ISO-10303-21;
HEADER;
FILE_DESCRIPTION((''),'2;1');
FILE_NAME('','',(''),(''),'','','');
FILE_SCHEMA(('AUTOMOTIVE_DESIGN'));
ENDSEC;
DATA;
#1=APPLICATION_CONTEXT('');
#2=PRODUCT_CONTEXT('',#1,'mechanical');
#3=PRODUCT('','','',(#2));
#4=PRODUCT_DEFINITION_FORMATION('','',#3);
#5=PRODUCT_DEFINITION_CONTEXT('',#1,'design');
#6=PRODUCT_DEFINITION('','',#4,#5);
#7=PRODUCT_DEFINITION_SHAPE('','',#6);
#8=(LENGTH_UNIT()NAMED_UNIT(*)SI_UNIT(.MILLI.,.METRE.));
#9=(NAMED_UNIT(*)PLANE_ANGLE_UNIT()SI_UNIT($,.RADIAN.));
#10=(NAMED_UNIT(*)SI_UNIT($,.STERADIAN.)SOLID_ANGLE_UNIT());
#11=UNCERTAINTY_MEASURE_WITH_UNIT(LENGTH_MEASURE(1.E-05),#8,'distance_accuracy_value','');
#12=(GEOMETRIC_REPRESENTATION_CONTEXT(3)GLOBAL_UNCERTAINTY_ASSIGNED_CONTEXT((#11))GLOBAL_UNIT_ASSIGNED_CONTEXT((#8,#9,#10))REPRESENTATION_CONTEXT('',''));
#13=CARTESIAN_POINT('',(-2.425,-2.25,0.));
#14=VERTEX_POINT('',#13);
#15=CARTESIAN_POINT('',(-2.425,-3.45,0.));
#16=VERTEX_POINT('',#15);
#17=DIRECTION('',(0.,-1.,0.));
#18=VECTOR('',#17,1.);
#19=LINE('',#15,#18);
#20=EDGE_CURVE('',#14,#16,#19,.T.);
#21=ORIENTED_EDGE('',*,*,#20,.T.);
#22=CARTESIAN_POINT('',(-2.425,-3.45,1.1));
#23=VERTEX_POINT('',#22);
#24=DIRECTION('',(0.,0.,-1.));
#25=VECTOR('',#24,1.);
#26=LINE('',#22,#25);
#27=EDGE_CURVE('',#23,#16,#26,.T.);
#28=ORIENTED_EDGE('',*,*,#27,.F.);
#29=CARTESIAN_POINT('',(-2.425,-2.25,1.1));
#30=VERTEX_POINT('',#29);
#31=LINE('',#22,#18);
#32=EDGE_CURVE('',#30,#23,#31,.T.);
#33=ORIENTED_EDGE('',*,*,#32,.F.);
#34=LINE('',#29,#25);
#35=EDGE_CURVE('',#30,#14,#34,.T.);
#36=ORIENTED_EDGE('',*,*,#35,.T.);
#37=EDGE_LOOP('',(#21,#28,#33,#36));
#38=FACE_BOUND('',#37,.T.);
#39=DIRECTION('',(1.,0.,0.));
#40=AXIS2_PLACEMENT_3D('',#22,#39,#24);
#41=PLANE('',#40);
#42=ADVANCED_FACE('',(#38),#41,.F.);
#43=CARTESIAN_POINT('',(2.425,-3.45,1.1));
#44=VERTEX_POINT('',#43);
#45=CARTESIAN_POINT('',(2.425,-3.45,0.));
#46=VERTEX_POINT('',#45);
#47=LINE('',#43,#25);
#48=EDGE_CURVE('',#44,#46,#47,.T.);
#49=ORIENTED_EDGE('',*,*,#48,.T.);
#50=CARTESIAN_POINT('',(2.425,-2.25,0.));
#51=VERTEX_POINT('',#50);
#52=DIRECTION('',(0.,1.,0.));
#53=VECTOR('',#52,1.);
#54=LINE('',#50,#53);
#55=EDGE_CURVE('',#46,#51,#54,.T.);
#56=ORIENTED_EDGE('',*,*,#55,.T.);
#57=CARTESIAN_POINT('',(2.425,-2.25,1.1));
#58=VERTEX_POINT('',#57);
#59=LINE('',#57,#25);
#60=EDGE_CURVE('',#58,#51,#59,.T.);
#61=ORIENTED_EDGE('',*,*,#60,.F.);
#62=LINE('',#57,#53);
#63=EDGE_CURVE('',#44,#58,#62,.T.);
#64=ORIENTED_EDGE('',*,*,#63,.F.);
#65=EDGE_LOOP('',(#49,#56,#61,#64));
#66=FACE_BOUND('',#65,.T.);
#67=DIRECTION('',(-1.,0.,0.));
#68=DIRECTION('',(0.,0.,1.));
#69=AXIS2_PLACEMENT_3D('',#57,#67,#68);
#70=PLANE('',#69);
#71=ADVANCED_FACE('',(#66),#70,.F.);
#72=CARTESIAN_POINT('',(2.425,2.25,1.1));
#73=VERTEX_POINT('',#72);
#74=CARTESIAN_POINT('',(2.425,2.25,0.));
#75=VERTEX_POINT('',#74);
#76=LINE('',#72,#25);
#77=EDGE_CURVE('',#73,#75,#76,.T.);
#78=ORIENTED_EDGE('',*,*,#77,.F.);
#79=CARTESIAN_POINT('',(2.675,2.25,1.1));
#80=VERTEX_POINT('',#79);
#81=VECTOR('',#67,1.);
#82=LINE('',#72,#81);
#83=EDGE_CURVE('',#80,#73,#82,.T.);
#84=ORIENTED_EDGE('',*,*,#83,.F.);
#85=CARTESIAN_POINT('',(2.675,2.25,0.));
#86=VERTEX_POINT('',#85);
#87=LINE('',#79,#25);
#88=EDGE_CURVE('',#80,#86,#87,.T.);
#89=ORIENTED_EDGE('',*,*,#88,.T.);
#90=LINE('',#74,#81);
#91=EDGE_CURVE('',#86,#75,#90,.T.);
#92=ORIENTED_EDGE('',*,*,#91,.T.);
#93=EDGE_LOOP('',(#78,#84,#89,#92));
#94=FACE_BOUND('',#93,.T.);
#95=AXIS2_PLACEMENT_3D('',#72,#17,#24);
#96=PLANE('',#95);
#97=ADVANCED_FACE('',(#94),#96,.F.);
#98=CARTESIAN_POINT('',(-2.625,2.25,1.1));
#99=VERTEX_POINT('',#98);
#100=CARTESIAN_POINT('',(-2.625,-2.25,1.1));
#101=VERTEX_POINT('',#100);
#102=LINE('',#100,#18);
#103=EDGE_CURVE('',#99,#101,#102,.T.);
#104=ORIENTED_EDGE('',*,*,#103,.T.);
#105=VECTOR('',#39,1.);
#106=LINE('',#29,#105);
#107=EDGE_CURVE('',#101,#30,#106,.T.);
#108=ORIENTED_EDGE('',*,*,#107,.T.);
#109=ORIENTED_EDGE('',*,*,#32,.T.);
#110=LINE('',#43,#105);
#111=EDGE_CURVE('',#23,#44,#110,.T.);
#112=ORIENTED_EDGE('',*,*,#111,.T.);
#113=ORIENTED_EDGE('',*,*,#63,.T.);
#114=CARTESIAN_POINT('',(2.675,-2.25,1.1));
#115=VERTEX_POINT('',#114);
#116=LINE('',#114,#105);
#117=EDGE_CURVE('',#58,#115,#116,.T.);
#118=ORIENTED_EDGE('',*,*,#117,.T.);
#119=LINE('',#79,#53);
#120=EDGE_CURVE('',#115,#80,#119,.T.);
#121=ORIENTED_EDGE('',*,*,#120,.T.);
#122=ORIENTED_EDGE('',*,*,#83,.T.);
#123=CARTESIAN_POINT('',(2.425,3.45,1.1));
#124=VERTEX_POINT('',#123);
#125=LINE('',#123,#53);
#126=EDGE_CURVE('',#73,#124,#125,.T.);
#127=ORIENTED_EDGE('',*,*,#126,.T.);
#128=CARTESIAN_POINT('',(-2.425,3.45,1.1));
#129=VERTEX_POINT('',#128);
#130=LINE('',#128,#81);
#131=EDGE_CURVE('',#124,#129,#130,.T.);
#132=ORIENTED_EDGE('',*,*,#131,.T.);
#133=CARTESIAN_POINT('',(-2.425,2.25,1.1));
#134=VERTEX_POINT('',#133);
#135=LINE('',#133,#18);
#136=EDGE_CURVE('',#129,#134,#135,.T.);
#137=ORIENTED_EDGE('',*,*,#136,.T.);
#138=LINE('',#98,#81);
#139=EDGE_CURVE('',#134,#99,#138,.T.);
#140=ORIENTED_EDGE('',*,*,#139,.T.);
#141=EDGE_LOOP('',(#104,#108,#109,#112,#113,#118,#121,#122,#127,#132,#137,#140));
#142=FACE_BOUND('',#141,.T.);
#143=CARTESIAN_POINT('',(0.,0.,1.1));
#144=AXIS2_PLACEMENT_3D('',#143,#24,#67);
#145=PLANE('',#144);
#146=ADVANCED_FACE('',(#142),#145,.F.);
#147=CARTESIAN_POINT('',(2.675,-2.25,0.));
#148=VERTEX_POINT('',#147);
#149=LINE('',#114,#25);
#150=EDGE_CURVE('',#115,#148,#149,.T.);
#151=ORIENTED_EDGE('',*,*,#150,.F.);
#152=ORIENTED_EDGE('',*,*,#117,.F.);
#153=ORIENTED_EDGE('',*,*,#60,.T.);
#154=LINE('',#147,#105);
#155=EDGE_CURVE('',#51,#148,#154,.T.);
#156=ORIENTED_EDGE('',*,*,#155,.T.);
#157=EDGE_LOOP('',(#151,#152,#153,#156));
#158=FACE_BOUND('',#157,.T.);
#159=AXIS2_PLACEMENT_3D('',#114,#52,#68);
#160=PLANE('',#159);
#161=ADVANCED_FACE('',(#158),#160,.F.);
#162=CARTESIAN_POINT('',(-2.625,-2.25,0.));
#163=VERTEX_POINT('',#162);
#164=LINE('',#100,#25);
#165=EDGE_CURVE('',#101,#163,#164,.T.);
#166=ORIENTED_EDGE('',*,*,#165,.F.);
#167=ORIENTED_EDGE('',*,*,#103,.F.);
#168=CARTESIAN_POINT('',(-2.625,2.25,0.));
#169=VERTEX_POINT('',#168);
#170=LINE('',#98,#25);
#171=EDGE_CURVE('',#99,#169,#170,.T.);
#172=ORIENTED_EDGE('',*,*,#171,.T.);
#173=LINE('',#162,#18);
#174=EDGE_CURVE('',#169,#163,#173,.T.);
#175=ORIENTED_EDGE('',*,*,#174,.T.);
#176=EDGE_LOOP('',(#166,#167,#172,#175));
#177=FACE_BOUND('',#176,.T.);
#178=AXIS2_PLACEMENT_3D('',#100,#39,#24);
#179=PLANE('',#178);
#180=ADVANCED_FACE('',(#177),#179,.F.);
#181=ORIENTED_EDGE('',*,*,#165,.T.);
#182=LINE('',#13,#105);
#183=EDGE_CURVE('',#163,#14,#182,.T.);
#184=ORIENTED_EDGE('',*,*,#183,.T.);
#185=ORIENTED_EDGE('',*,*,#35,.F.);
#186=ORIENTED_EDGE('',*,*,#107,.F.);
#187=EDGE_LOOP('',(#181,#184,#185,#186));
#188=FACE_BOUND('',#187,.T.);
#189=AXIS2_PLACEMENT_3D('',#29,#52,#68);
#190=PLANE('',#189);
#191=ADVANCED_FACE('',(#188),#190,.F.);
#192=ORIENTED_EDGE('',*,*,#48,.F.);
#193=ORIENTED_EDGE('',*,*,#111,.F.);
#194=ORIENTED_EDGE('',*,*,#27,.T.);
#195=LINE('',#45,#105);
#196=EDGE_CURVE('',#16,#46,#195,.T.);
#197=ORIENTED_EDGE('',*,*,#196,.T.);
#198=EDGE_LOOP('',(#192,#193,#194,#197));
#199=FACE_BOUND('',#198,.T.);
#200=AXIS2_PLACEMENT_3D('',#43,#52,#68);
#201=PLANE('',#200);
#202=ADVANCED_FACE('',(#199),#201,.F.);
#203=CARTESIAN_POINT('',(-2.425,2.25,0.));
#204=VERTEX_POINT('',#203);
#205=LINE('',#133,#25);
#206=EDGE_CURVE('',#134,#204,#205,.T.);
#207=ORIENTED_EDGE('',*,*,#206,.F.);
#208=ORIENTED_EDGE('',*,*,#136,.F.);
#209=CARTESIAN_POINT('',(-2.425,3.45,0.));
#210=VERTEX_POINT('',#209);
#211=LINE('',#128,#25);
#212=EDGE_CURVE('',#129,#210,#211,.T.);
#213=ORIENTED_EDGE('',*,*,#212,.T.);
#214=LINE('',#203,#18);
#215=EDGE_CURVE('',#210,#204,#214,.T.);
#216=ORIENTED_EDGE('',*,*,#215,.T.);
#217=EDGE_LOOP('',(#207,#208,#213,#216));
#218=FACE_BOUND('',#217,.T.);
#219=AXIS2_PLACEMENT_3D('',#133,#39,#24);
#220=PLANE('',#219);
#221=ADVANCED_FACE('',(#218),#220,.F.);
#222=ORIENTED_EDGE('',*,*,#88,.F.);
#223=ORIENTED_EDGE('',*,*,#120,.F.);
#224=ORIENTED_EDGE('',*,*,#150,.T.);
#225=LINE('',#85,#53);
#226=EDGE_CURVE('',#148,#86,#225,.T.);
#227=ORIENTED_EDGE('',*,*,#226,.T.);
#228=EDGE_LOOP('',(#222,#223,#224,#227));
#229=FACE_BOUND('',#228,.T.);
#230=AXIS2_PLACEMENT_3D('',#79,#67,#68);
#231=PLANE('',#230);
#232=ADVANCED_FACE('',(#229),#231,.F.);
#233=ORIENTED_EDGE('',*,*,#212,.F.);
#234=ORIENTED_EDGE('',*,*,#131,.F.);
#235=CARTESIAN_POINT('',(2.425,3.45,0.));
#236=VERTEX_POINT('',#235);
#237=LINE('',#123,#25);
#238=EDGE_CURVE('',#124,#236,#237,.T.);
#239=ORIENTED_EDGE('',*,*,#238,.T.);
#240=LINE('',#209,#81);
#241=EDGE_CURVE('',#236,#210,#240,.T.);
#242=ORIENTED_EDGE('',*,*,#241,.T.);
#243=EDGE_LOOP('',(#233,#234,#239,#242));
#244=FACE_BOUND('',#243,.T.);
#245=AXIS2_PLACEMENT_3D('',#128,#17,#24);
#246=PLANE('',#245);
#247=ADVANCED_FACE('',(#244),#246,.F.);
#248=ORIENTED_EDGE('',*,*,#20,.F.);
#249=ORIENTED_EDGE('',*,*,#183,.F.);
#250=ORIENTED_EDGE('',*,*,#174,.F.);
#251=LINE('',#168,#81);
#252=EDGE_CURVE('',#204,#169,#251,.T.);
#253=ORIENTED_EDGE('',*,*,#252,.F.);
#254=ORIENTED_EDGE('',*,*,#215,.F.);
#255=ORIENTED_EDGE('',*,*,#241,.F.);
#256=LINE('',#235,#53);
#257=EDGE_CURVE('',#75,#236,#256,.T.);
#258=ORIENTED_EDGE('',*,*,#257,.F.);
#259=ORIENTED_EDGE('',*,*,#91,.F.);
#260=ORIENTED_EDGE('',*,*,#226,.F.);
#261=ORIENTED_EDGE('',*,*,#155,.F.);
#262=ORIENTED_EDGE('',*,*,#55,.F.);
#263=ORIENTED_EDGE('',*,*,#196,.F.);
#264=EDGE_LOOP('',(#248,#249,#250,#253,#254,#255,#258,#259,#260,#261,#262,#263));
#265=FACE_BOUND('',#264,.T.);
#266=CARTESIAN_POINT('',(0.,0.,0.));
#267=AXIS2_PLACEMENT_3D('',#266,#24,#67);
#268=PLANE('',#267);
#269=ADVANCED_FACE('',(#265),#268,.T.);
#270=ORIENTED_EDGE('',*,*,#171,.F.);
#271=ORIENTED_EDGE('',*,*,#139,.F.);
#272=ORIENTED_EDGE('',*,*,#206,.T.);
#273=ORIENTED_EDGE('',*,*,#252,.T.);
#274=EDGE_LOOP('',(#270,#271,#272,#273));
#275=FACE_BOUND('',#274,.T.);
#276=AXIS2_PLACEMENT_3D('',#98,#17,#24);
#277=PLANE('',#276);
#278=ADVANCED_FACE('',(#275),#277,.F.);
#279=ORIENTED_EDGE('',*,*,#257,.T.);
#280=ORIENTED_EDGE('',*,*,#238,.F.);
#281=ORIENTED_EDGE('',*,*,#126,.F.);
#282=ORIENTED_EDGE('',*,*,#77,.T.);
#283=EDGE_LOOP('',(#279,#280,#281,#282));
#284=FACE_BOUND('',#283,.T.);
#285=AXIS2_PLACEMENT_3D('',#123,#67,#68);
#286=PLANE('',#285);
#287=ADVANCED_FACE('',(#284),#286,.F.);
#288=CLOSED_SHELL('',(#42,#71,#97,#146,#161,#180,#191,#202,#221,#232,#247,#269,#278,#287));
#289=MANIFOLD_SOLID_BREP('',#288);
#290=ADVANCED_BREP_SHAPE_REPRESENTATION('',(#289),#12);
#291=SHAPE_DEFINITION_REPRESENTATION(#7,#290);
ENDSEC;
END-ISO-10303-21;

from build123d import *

# Parameters (mm, degrees)
COMPONENT_OUTLINE_DEPTH = 1.1


with BuildPart() as part:
    # 草图1 → Component_Outline (new body)
    with BuildSketch(Plane.XY):
        Polygon((2.675, -2.25), (2.425, -2.25), (2.425, -3.45), (-2.425, -3.45), (-2.425, -2.25), (-2.625, -2.25), (-2.625, 2.25), (-2.425, 2.25), (-2.425, 3.45), (2.425, 3.45), (2.425, 2.25), (2.675, 2.25), align=None)
    extrude(amount=COMPONENT_OUTLINE_DEPTH)


solid = part.part
